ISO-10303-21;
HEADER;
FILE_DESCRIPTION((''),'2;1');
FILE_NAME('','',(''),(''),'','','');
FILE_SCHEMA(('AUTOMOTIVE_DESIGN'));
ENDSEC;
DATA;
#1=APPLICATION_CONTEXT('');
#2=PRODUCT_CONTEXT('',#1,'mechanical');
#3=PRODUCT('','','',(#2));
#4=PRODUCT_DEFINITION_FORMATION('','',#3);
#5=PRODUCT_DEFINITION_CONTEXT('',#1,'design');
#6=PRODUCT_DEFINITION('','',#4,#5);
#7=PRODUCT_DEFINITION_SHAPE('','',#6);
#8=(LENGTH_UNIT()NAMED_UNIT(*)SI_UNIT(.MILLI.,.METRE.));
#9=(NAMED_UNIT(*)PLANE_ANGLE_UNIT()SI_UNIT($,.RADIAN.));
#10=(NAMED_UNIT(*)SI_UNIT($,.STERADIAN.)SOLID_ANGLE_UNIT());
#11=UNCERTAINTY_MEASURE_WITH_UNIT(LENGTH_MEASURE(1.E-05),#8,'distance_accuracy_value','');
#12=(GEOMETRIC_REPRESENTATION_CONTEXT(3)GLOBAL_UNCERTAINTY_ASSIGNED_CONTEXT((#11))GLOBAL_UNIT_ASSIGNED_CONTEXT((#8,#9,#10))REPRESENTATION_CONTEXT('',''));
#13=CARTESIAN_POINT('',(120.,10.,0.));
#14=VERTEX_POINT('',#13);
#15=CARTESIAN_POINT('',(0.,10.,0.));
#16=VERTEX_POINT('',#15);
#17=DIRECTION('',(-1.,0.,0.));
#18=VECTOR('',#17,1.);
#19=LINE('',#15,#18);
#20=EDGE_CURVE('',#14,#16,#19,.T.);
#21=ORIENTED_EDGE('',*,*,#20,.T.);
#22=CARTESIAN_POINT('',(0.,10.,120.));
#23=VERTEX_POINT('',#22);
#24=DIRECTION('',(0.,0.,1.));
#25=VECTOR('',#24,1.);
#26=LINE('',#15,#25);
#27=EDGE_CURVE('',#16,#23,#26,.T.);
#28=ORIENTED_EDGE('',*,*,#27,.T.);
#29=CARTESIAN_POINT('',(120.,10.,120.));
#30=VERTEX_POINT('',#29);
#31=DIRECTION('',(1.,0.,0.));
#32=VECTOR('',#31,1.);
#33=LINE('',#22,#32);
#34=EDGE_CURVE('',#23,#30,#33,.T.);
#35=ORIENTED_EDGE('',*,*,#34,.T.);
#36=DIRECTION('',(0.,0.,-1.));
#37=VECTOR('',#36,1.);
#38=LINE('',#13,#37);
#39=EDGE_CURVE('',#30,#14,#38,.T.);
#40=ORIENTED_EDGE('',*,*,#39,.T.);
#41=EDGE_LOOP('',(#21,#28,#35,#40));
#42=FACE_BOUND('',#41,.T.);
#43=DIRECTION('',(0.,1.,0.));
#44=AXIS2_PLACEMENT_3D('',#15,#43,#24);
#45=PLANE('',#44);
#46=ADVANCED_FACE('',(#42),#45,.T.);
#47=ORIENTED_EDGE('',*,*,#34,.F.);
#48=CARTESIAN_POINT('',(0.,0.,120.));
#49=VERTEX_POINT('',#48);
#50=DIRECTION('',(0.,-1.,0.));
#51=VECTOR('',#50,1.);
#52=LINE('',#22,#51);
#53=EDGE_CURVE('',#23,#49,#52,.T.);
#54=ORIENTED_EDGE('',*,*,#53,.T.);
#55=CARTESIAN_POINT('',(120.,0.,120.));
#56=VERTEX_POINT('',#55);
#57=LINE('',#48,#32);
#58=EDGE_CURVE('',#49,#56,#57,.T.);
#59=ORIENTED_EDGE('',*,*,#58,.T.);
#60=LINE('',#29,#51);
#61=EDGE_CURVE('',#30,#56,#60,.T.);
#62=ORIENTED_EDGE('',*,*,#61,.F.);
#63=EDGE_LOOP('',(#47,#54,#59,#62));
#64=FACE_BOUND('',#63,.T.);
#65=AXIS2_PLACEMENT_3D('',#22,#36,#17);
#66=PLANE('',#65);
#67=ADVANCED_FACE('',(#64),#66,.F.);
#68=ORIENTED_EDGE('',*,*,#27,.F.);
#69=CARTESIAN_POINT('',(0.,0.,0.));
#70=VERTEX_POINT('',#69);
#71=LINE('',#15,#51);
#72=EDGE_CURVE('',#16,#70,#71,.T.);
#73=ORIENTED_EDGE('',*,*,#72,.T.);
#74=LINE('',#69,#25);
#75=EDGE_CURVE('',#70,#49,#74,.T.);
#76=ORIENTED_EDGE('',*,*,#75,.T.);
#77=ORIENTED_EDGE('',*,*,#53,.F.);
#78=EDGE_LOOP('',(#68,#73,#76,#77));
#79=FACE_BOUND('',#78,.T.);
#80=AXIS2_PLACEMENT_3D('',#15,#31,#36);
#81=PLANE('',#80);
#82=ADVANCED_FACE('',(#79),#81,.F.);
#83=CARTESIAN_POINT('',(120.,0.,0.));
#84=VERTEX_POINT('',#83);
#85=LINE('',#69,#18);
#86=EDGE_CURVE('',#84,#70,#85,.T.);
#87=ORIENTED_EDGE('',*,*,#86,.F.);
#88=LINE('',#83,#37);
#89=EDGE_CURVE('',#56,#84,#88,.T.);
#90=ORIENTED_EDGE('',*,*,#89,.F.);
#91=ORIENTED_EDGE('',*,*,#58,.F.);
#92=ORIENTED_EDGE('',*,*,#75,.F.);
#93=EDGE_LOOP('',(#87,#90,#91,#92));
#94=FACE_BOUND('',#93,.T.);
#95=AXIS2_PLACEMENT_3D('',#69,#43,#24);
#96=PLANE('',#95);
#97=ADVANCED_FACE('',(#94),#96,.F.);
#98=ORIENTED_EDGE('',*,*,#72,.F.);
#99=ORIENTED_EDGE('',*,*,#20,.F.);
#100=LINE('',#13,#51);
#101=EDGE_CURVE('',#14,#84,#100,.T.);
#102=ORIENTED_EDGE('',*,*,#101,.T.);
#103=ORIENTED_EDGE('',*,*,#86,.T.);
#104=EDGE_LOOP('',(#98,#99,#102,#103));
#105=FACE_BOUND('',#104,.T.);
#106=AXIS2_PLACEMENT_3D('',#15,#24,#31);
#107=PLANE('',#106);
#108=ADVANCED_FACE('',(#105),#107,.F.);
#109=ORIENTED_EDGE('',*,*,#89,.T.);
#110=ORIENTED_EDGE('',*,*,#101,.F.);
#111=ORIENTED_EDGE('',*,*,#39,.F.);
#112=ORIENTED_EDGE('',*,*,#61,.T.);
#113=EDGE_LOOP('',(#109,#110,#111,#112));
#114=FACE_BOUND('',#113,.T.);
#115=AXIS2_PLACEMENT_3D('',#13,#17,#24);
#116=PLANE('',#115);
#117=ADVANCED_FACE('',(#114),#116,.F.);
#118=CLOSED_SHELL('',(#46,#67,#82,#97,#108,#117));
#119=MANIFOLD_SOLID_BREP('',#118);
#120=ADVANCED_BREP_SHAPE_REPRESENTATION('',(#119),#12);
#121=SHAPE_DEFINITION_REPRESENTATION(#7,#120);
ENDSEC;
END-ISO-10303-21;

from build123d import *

# Parameters (mm, degrees)
SKETCH_1_W      = 120
SKETCH_1_H      = 120
EXTRUDE_1_DEPTH = 10


with BuildPart() as part:
    # 草图1 → 凸台-拉伸1 (new body)
    with BuildSketch(Plane(origin=(0, 0, 0), x_dir=(1, 0, 0), z_dir=(0, 1, 0))):
        with Locations((60, -60)):
            Rectangle(SKETCH_1_W, SKETCH_1_H)
    extrude(amount=EXTRUDE_1_DEPTH)


solid = part.part
